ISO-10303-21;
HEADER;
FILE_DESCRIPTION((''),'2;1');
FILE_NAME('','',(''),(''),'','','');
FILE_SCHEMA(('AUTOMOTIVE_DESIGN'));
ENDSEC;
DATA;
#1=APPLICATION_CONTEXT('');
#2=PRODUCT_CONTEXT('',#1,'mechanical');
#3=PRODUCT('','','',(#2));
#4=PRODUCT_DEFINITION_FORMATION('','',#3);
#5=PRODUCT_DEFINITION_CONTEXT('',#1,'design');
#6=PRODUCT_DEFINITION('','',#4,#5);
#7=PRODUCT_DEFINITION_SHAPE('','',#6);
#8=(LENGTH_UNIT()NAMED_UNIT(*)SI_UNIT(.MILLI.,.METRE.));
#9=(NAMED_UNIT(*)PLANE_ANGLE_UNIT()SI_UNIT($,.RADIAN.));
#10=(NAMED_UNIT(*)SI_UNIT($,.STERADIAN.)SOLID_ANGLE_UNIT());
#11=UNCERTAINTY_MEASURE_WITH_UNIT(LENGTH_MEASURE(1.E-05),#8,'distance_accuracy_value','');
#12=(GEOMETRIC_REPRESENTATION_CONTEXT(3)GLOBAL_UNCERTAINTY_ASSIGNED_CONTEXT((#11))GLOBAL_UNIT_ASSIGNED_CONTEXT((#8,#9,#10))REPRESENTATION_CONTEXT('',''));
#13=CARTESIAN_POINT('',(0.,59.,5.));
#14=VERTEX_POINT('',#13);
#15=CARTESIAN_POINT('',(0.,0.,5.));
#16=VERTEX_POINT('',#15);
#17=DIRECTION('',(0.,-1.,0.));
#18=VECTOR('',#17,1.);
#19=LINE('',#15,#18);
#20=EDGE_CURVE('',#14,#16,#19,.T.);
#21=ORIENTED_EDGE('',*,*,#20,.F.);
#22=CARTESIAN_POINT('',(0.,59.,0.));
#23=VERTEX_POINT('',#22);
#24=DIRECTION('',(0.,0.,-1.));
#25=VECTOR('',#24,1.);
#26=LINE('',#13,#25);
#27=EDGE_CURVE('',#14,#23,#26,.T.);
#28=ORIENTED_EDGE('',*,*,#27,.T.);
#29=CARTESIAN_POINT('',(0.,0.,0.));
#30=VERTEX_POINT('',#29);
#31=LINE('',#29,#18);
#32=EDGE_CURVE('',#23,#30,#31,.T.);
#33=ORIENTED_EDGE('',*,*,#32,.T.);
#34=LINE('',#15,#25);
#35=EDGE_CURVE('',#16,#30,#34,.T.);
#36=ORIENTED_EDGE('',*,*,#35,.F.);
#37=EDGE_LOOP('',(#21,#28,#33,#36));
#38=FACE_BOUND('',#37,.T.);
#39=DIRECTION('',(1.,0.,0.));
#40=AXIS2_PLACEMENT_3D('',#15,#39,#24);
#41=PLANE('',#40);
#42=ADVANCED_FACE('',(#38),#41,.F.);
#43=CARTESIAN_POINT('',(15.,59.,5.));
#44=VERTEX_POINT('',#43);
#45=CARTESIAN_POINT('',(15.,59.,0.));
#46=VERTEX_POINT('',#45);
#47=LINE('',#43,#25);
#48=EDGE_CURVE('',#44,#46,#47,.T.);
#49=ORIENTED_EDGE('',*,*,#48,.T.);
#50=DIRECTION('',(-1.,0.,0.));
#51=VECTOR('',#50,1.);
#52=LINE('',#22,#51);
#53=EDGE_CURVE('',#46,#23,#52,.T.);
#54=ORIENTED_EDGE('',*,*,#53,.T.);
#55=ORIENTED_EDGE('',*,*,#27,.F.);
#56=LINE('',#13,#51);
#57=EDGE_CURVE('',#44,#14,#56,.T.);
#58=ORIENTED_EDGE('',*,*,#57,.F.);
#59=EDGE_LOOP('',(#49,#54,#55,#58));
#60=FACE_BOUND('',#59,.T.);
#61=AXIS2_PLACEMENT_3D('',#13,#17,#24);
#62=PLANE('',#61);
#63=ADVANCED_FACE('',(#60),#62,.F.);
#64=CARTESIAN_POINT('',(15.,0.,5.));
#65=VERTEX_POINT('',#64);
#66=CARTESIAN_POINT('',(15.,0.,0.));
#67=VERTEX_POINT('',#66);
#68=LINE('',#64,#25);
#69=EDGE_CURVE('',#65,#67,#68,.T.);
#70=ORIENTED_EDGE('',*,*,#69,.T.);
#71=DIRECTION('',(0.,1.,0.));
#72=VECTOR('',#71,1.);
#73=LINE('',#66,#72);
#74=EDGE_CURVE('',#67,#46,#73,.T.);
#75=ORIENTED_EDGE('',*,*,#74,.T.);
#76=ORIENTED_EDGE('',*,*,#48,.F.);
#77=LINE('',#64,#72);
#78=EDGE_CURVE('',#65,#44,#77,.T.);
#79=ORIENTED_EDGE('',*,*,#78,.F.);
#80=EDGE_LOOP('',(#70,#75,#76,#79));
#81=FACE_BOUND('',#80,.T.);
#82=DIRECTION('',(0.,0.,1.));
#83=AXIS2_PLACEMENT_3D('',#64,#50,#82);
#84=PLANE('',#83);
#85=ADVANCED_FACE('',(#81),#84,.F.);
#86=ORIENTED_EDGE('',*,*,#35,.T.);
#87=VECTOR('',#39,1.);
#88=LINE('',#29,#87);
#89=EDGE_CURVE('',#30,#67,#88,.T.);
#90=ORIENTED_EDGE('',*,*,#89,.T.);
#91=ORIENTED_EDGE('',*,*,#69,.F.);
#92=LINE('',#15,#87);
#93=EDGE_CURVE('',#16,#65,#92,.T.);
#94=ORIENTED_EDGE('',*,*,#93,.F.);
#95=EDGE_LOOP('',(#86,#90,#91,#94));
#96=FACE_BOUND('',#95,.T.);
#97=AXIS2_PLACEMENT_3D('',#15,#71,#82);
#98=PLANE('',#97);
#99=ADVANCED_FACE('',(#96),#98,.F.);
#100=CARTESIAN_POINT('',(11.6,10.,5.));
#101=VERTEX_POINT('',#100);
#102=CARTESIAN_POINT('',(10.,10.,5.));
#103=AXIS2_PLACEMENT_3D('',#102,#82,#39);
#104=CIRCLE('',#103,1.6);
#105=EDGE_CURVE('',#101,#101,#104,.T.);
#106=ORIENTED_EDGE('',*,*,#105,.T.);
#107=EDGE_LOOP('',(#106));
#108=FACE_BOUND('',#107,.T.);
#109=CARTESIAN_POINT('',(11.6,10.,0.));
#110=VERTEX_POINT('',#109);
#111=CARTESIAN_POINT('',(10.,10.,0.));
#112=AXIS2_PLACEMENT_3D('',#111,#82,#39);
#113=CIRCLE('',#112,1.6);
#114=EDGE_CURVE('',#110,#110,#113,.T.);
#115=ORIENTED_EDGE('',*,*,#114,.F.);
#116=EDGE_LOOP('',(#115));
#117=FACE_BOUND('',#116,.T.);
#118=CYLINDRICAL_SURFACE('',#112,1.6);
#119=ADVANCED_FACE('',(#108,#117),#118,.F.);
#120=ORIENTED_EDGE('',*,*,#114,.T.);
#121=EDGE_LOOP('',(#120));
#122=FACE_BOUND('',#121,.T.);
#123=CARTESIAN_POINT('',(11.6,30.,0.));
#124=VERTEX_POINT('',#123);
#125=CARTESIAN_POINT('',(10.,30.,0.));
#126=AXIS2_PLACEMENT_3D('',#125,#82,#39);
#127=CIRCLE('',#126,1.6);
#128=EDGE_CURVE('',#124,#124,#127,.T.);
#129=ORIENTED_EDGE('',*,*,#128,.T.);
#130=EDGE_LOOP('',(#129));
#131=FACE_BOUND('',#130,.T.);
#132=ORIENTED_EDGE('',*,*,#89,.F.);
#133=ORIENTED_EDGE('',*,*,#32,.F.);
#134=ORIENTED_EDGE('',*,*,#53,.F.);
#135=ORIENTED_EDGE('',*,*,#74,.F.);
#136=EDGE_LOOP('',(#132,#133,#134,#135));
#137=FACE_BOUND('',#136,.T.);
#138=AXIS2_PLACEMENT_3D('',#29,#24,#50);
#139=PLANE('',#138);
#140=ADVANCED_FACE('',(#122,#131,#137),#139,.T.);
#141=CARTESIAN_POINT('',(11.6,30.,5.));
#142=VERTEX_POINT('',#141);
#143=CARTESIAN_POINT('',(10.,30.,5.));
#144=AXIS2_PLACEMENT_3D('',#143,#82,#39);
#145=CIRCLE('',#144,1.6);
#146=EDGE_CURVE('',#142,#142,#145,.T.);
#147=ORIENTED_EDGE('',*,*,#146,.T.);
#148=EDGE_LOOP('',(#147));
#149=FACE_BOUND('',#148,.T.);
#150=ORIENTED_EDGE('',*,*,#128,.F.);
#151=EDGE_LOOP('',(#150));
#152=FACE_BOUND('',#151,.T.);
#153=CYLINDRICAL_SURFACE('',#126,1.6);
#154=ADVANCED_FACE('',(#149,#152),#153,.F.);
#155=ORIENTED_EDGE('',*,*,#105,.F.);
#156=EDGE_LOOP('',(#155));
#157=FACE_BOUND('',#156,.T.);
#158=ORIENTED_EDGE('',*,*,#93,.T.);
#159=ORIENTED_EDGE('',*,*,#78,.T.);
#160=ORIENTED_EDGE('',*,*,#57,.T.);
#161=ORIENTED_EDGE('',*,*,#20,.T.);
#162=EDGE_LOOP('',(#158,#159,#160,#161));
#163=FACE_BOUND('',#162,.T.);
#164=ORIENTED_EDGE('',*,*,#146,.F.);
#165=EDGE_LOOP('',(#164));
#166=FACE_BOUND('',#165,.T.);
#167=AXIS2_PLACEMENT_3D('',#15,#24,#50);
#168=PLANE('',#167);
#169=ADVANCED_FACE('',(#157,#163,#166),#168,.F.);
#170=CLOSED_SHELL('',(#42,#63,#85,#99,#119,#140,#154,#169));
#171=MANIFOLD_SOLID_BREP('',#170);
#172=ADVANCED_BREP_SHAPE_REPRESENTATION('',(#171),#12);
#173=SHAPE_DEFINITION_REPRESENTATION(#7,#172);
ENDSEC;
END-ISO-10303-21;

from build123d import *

# Parameters (mm, degrees)
SKETCH_1_W          = 15
SKETCH_1_H          = 59
EXTRUDE_1_DEPTH     = 5
SKETCH_2_R          = 1.6
CUT_EXTRUDE_1_DEPTH = 5


with BuildPart() as part:
    # 草图1 → 凸台-拉伸1 (new body)
    with BuildSketch(Plane.XY):
        with Locations((7.5, 29.5)):
            Rectangle(SKETCH_1_W, SKETCH_1_H)
    extrude(amount=EXTRUDE_1_DEPTH)

    # 草图2 → 切除-拉伸1 (cut)
    with BuildSketch(Plane.XY.offset(5)):
        with Locations((10, 10)):
            Circle(SKETCH_2_R)
        with Locations((10, 30)):
            Circle(SKETCH_2_R)
    extrude(amount=-CUT_EXTRUDE_1_DEPTH, mode=Mode.SUBTRACT)


solid = part.part
